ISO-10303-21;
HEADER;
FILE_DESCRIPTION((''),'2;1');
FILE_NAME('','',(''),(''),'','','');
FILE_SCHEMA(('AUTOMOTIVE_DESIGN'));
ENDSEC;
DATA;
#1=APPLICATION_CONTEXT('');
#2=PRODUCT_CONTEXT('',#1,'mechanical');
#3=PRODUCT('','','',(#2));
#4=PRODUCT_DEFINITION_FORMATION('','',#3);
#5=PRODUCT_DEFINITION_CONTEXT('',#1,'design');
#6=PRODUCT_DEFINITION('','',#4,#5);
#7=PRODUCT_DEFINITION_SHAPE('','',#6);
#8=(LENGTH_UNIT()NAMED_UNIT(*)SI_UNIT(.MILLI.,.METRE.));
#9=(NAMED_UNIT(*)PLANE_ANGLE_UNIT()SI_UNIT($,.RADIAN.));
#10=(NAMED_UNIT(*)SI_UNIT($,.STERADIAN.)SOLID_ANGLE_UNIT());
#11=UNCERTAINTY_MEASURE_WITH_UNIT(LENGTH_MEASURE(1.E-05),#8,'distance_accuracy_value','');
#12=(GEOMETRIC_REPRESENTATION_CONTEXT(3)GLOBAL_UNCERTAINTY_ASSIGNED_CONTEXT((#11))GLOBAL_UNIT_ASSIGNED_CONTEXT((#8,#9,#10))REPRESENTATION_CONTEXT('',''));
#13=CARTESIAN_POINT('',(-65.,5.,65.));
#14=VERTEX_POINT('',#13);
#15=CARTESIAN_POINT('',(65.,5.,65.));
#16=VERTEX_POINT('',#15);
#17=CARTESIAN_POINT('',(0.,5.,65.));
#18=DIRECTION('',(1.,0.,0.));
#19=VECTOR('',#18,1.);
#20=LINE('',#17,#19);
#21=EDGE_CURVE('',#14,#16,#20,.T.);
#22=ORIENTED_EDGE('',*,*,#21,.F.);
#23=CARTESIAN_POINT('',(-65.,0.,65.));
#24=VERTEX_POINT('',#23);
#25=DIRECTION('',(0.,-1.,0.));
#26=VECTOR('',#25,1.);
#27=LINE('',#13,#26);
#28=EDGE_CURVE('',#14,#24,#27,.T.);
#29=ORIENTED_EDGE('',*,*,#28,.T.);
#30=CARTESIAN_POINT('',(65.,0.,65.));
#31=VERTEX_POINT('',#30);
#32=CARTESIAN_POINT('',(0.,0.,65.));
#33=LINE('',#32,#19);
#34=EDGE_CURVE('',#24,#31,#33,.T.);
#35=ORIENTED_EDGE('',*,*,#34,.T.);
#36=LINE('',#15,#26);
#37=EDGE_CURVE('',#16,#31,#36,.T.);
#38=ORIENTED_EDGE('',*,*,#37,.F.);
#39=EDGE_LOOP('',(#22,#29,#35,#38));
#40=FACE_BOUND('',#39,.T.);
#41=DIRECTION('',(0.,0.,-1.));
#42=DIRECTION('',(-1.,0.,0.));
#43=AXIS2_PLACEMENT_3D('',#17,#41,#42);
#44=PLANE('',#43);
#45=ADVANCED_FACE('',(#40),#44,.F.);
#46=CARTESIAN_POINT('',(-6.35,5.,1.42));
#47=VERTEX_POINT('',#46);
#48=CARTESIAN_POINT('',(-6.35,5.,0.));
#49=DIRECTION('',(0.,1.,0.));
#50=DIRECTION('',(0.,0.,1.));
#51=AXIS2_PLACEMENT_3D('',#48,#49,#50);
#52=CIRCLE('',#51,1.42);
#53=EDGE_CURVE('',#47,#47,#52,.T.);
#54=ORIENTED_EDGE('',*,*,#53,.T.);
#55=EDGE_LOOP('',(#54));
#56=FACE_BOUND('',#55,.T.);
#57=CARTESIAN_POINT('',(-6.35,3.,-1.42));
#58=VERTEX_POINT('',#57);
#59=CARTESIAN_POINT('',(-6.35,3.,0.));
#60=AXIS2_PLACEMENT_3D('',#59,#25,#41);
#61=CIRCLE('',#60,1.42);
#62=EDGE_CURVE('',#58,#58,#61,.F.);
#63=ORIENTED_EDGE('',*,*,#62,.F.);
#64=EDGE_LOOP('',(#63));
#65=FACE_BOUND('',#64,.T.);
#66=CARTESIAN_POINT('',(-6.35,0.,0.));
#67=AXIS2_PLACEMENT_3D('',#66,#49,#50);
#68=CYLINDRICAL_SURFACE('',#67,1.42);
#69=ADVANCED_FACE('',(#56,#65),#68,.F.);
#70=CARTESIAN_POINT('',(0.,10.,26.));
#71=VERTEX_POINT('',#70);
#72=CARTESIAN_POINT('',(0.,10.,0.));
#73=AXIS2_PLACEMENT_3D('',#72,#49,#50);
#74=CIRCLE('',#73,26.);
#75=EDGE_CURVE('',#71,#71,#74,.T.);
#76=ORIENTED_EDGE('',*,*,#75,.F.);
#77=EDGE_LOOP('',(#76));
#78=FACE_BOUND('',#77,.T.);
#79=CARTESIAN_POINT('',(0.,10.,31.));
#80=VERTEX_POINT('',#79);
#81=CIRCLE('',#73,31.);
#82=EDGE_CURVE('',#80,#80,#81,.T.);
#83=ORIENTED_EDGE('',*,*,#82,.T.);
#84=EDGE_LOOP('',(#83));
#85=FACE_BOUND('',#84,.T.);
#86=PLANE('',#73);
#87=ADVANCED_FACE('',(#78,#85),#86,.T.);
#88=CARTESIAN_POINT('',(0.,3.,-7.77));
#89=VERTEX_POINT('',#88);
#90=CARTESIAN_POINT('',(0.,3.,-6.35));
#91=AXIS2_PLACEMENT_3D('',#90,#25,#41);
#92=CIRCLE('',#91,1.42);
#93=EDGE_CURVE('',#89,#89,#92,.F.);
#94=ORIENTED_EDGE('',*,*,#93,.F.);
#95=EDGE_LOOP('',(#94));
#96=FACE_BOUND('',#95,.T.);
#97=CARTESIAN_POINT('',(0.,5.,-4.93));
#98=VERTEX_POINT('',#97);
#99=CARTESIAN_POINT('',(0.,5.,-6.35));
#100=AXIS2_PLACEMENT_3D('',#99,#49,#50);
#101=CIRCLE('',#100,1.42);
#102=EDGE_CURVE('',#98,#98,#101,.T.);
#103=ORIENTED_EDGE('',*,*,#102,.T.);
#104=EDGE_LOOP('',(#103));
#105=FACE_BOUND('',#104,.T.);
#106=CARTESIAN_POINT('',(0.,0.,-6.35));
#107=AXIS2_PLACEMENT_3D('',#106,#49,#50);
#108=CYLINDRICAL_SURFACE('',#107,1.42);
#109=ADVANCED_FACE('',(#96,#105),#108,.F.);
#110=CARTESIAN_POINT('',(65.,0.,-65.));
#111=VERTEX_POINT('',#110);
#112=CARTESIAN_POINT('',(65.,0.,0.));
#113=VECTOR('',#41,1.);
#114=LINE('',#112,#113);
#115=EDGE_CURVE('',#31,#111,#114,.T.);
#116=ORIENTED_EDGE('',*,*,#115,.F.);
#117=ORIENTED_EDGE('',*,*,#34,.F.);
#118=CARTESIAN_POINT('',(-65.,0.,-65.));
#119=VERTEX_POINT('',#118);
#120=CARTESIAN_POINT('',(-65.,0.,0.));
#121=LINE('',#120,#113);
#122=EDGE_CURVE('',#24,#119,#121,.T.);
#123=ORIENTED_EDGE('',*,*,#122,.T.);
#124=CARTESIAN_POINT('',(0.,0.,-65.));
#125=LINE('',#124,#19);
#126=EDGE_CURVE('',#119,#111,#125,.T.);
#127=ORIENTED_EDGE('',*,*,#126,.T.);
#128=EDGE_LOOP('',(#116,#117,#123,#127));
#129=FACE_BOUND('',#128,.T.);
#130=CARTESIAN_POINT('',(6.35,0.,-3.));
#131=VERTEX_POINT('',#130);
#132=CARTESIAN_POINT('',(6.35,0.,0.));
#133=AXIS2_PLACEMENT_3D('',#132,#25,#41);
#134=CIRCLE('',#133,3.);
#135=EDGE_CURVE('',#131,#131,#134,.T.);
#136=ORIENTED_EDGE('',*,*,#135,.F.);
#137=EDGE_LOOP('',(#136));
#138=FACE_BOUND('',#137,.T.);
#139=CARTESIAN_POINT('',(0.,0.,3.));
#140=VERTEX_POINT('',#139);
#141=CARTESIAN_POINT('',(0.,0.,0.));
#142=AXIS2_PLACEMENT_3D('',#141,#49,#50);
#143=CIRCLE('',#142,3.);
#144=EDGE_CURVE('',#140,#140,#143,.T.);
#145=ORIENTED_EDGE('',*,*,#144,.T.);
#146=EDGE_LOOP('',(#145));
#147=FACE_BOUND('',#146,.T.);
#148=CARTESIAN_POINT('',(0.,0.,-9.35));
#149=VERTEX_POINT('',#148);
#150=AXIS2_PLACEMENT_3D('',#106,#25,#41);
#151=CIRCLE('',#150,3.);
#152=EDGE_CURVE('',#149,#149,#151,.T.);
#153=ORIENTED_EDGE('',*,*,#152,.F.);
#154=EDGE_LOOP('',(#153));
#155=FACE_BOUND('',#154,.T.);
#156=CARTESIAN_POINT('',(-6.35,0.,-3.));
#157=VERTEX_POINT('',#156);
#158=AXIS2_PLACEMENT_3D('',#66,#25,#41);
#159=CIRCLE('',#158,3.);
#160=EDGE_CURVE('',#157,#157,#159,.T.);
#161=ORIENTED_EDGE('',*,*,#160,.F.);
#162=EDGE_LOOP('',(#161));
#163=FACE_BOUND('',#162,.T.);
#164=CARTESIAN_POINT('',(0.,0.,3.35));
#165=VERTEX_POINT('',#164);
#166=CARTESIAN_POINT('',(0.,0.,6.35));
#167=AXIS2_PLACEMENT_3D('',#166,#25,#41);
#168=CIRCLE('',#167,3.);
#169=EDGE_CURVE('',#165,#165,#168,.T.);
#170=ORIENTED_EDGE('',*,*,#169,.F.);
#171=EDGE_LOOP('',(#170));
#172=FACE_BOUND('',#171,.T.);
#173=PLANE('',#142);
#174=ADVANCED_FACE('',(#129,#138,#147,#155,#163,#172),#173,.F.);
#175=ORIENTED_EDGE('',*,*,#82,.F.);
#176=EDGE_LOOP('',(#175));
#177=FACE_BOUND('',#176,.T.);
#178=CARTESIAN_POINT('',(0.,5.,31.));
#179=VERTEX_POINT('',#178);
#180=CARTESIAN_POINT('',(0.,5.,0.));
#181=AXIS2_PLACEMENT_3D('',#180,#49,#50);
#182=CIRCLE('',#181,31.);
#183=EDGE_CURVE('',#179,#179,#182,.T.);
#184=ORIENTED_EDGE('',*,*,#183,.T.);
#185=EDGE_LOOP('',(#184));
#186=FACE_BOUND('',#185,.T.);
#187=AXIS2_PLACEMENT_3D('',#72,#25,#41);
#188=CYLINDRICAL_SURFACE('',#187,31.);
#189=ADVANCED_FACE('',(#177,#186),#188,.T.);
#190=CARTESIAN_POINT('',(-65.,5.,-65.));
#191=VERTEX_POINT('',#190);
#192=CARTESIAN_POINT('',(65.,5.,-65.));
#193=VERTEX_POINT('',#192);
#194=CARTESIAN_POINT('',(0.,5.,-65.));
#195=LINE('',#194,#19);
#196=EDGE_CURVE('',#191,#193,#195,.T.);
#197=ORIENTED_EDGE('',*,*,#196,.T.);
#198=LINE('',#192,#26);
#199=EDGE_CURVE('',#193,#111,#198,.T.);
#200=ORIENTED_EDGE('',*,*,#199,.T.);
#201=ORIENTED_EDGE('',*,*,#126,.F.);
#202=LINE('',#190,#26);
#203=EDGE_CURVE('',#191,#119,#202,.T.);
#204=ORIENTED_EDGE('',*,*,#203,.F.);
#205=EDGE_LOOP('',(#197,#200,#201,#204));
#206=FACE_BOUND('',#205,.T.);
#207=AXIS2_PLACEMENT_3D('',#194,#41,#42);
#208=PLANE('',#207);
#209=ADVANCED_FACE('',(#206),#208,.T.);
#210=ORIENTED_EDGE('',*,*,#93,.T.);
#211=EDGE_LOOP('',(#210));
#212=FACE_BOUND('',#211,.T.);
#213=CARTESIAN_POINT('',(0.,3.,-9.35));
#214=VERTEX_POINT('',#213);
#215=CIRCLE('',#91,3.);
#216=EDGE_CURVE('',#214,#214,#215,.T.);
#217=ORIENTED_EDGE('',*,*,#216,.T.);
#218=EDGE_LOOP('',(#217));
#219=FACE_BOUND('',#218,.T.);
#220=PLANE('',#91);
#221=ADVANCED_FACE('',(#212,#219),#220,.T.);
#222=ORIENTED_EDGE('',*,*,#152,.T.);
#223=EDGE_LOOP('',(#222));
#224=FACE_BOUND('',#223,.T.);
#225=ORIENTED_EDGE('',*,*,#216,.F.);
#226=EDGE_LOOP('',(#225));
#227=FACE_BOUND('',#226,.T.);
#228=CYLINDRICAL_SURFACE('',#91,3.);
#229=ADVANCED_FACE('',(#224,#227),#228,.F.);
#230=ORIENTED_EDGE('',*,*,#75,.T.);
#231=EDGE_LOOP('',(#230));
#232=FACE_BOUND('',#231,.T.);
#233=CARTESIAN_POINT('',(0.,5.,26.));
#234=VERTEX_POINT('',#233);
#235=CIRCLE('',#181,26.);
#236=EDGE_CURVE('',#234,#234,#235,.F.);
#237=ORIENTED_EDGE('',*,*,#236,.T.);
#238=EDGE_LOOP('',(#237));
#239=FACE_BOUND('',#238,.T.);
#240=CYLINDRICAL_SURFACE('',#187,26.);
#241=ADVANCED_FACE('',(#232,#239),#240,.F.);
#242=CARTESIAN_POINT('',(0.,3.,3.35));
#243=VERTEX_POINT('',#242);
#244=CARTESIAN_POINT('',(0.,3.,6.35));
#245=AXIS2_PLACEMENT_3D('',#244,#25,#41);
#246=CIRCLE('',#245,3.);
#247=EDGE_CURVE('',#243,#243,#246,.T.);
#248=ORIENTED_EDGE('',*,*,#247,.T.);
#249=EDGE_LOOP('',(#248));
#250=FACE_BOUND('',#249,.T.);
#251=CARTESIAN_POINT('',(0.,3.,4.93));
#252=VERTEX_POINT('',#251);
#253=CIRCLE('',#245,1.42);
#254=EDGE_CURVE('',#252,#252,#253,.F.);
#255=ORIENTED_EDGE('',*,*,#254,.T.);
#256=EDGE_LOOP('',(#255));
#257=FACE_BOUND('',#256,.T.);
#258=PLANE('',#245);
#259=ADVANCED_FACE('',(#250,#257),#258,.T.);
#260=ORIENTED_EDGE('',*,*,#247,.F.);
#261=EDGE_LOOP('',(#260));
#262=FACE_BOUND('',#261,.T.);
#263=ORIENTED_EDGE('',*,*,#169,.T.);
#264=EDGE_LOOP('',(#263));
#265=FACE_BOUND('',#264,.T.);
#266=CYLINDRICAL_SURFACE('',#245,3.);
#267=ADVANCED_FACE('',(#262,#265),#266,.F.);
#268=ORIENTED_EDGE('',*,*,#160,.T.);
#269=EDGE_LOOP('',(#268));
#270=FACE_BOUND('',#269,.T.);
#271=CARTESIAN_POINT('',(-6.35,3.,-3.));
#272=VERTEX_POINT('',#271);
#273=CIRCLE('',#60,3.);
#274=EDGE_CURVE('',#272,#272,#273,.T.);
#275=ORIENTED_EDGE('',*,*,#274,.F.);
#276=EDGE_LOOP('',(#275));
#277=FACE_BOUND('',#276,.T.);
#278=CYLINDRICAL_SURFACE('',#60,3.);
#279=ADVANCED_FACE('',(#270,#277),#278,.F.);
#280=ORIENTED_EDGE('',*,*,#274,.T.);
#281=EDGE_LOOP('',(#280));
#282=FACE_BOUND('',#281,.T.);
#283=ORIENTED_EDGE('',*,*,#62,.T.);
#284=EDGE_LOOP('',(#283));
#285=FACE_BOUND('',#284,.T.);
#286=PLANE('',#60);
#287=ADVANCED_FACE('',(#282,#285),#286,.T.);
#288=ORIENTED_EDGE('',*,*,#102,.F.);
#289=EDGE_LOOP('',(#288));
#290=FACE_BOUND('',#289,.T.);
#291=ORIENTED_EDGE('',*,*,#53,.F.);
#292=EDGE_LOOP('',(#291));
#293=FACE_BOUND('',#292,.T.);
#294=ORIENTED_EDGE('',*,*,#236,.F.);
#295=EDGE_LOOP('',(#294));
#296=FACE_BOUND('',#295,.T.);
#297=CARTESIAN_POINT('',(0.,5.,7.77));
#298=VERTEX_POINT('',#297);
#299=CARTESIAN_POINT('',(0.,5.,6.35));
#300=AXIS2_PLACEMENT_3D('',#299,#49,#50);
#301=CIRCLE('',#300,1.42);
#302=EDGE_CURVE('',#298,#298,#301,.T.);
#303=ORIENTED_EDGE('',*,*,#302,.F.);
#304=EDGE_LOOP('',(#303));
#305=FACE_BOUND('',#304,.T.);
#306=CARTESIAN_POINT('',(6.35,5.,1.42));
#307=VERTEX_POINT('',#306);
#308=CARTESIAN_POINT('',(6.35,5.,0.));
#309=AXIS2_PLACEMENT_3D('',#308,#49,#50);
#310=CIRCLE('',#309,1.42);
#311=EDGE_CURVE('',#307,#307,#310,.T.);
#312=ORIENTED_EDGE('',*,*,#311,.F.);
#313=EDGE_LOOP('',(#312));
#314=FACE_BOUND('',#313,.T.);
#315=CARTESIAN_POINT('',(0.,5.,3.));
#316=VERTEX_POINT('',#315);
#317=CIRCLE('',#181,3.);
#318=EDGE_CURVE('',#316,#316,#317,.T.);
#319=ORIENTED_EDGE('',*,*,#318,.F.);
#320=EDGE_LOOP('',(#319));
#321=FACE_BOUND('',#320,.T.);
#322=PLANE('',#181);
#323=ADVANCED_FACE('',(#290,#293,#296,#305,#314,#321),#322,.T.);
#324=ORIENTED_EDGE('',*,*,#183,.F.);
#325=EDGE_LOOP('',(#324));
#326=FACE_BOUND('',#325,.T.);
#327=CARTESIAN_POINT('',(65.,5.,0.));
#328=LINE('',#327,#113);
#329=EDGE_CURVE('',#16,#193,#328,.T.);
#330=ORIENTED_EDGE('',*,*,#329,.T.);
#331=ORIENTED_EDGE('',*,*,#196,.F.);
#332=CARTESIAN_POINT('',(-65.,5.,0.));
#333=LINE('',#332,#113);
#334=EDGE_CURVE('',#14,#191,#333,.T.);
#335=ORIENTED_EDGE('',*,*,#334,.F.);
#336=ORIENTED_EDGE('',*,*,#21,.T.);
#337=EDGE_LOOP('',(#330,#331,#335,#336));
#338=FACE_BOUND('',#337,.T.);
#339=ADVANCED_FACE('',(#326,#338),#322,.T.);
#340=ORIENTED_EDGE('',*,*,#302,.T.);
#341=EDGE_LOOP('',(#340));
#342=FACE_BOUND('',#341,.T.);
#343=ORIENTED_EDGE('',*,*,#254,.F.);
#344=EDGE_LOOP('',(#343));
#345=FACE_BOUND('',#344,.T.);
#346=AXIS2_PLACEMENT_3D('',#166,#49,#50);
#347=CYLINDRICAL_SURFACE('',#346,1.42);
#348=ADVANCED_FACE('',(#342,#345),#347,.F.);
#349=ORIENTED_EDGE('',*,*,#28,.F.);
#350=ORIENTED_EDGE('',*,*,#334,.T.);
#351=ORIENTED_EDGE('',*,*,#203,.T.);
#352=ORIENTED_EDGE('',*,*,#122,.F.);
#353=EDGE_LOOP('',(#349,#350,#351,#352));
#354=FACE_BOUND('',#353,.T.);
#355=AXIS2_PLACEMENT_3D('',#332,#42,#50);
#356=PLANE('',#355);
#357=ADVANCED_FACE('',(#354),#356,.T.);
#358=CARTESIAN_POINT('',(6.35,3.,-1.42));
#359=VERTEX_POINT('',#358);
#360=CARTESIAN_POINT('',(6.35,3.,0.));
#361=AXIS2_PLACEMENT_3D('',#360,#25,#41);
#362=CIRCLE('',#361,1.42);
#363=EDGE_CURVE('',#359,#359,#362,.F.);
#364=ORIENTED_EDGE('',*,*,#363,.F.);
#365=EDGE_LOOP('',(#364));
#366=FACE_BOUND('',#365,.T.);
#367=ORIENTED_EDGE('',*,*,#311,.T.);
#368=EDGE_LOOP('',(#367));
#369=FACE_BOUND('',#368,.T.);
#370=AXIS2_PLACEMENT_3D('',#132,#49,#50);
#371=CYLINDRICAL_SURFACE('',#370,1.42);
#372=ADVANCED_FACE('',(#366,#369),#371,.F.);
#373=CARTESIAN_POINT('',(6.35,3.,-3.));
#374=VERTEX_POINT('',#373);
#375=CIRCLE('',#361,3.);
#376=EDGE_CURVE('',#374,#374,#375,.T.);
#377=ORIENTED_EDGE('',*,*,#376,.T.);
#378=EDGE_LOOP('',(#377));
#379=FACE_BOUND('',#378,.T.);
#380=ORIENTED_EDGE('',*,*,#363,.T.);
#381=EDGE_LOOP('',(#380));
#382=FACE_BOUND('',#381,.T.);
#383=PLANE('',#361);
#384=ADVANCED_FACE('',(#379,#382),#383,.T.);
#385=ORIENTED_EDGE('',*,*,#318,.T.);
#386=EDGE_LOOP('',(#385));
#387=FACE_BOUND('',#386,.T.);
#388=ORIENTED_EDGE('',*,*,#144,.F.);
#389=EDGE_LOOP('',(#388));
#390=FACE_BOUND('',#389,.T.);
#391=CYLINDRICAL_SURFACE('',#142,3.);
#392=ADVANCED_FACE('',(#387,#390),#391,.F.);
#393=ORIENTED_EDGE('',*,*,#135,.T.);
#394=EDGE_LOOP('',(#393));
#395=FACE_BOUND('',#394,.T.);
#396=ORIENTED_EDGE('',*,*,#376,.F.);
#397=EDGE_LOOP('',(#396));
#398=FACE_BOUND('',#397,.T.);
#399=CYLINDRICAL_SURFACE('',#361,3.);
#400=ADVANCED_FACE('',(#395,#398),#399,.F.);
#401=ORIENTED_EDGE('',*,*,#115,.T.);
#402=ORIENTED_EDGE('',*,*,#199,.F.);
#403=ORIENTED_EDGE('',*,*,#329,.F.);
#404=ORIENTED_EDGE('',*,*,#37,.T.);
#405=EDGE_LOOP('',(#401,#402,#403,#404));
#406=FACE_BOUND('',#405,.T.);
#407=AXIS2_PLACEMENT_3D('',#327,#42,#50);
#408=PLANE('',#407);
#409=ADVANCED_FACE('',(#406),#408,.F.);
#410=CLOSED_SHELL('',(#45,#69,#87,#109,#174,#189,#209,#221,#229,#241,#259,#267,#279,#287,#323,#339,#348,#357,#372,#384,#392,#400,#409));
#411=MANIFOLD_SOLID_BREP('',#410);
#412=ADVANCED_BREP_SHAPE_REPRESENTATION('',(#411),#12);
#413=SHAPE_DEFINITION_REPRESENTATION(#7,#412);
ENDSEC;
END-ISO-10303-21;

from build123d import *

# Parameters (mm, degrees)
SKETCH1_W           = 130
SKETCH1_H           = 130
SKETCH1_R           = 31
SKETCH1_R_2         = 26
SKETCH1_R_3         = 24
BOSS_EXTRUDE2_DEPTH = 5
SKETCH2_R           = 31
SKETCH2_R_2         = 26
BOSS_EXTRUDE3_DEPTH = 5
SKETCH3_R           = 1.42
SKETCH3_R_2         = 3
CUT_EXTRUDE1_DEPTH  = 5
SKETCH4_R           = 3
CUT_EXTRUDE2_DEPTH  = 3


with BuildPart() as part:
    # Sketch1 → Boss-Extrude2 (new body)
    # profile 1 of 4: a face of its own
    with BuildSketch(Plane(origin=(0, 0, 0), x_dir=(1, 0, 0), z_dir=(0, 1, 0))):
        Rectangle(SKETCH1_W, SKETCH1_H)
        Circle(SKETCH1_R, mode=Mode.SUBTRACT)
    # profile 2 of 4: a face of its own
    with BuildSketch(Plane(origin=(0, 0, 0), x_dir=(1, 0, 0), z_dir=(0, 1, 0))):
        Circle(SKETCH1_R)
        Circle(SKETCH1_R_2, mode=Mode.SUBTRACT)
    # profile 3 of 4: a face of its own
    with BuildSketch(Plane(origin=(0, 0, 0), x_dir=(1, 0, 0), z_dir=(0, 1, 0))):
        Circle(SKETCH1_R_2)
        Circle(SKETCH1_R_3, mode=Mode.SUBTRACT)
    # profile 4 of 4: a face of its own
    with BuildSketch(Plane(origin=(0, 0, 0), x_dir=(1, 0, 0), z_dir=(0, 1, 0))):
        Circle(SKETCH1_R_3)
    extrude(amount=BOSS_EXTRUDE2_DEPTH)

    # Sketch2 → Boss-Extrude3 (add)
    with BuildSketch(Plane(origin=(0, 5, 0), x_dir=(1, 0, 0), z_dir=(0, 1, 0))):
        with Locations(Location((0, 0, 0), (0, 0, 270))):
            Circle(SKETCH2_R)
        with Locations(Location((0, 0, 0), (0, 0, 270))):
            Circle(SKETCH2_R_2, mode=Mode.SUBTRACT)
    extrude(amount=BOSS_EXTRUDE3_DEPTH)

    # Sketch3 → Cut-Extrude1 (cut)
    with BuildSketch(Plane(origin=(0, 5, 0), x_dir=(1, 0, 0), z_dir=(0, 1, 0))):
        with Locations(Location((0, 6.35, 0), (0, 0, 270))):
            Circle(SKETCH3_R)
        with Locations(Location((6.35, 0, 0), (0, 0, 270))):
            Circle(SKETCH3_R)
        with Locations(Location((0, -6.35, 0), (0, 0, 270))):
            Circle(SKETCH3_R)
        with Locations(Location((-6.35, 0, 0), (0, 0, 270))):
            Circle(SKETCH3_R)
        with Locations(Location((0, 0, 0), (0, 0, 270))):
            Circle(SKETCH3_R_2)
    extrude(amount=-CUT_EXTRUDE1_DEPTH, mode=Mode.SUBTRACT)

    # Sketch4 → Cut-Extrude2 (cut)
    with BuildSketch(Plane(origin=(0, 0, 0), x_dir=(-1, 0, 0), z_dir=(0, -1, 0))):
        with Locations(Location((-6.35, 0, 0), (0, 0, 90))):
            Circle(SKETCH4_R)
        with Locations(Location((0, 6.35, 0), (0, 0, 90))):
            Circle(SKETCH4_R)
        with Locations(Location((6.35, 0, 0), (0, 0, 90))):
            Circle(SKETCH4_R)
        with Locations(Location((0, -6.35, 0), (0, 0, 90))):
            Circle(SKETCH4_R)
    extrude(amount=-CUT_EXTRUDE2_DEPTH, mode=Mode.SUBTRACT)


solid = part.part
